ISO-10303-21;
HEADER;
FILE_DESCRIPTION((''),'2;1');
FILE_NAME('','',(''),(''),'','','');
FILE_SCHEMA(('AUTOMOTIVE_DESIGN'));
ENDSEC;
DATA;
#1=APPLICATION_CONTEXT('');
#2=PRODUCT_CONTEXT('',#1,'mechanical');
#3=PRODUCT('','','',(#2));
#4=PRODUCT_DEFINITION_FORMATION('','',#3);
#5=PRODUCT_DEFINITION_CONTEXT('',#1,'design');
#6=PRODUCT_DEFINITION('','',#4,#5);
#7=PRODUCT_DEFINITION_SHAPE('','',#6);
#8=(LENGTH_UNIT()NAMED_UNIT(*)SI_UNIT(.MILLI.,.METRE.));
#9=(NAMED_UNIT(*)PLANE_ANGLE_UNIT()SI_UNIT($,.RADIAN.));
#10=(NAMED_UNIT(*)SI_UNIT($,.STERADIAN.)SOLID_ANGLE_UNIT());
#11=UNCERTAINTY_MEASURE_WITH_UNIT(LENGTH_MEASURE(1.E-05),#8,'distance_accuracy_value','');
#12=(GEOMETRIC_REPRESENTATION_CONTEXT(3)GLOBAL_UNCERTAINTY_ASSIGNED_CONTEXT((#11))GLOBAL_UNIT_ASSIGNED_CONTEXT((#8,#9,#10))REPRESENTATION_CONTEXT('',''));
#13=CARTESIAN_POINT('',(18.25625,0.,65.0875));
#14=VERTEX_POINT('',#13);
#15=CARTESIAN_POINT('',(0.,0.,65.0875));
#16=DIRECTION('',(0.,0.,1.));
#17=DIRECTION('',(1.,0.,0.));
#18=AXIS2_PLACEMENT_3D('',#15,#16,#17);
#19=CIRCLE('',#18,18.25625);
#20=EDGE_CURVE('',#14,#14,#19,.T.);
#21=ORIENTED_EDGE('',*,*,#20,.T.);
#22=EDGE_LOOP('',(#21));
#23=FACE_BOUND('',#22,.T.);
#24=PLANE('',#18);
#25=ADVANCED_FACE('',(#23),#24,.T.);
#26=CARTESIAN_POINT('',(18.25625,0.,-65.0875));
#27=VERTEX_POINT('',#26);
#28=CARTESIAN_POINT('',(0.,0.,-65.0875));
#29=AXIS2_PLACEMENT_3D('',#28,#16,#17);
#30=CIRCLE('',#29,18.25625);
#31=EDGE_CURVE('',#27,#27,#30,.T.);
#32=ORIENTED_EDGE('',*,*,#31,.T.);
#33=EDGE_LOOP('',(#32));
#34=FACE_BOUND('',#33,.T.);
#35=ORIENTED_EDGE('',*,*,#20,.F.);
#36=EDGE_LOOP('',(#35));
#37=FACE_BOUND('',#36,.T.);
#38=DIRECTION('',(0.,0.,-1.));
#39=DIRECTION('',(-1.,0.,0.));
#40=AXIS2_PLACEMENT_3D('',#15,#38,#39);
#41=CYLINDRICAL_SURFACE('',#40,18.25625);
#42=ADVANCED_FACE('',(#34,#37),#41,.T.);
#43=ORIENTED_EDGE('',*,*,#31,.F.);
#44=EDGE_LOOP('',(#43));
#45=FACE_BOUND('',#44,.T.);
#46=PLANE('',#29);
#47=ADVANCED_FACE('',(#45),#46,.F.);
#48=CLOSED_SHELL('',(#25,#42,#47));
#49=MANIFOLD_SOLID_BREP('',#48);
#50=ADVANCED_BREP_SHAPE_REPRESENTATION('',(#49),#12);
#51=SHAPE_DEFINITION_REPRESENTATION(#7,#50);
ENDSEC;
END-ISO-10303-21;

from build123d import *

# Parameters (mm, degrees)
SKETCH1_R           = 18.25625
BOSS_EXTRUDE1_DEPTH = 65.0875


with BuildPart() as part:
    # Sketch1 → Boss-Extrude1 (new body, symmetric)
    with BuildSketch(Plane.XY):
        Circle(SKETCH1_R)
    extrude(amount=BOSS_EXTRUDE1_DEPTH, both=True)


solid = part.part
